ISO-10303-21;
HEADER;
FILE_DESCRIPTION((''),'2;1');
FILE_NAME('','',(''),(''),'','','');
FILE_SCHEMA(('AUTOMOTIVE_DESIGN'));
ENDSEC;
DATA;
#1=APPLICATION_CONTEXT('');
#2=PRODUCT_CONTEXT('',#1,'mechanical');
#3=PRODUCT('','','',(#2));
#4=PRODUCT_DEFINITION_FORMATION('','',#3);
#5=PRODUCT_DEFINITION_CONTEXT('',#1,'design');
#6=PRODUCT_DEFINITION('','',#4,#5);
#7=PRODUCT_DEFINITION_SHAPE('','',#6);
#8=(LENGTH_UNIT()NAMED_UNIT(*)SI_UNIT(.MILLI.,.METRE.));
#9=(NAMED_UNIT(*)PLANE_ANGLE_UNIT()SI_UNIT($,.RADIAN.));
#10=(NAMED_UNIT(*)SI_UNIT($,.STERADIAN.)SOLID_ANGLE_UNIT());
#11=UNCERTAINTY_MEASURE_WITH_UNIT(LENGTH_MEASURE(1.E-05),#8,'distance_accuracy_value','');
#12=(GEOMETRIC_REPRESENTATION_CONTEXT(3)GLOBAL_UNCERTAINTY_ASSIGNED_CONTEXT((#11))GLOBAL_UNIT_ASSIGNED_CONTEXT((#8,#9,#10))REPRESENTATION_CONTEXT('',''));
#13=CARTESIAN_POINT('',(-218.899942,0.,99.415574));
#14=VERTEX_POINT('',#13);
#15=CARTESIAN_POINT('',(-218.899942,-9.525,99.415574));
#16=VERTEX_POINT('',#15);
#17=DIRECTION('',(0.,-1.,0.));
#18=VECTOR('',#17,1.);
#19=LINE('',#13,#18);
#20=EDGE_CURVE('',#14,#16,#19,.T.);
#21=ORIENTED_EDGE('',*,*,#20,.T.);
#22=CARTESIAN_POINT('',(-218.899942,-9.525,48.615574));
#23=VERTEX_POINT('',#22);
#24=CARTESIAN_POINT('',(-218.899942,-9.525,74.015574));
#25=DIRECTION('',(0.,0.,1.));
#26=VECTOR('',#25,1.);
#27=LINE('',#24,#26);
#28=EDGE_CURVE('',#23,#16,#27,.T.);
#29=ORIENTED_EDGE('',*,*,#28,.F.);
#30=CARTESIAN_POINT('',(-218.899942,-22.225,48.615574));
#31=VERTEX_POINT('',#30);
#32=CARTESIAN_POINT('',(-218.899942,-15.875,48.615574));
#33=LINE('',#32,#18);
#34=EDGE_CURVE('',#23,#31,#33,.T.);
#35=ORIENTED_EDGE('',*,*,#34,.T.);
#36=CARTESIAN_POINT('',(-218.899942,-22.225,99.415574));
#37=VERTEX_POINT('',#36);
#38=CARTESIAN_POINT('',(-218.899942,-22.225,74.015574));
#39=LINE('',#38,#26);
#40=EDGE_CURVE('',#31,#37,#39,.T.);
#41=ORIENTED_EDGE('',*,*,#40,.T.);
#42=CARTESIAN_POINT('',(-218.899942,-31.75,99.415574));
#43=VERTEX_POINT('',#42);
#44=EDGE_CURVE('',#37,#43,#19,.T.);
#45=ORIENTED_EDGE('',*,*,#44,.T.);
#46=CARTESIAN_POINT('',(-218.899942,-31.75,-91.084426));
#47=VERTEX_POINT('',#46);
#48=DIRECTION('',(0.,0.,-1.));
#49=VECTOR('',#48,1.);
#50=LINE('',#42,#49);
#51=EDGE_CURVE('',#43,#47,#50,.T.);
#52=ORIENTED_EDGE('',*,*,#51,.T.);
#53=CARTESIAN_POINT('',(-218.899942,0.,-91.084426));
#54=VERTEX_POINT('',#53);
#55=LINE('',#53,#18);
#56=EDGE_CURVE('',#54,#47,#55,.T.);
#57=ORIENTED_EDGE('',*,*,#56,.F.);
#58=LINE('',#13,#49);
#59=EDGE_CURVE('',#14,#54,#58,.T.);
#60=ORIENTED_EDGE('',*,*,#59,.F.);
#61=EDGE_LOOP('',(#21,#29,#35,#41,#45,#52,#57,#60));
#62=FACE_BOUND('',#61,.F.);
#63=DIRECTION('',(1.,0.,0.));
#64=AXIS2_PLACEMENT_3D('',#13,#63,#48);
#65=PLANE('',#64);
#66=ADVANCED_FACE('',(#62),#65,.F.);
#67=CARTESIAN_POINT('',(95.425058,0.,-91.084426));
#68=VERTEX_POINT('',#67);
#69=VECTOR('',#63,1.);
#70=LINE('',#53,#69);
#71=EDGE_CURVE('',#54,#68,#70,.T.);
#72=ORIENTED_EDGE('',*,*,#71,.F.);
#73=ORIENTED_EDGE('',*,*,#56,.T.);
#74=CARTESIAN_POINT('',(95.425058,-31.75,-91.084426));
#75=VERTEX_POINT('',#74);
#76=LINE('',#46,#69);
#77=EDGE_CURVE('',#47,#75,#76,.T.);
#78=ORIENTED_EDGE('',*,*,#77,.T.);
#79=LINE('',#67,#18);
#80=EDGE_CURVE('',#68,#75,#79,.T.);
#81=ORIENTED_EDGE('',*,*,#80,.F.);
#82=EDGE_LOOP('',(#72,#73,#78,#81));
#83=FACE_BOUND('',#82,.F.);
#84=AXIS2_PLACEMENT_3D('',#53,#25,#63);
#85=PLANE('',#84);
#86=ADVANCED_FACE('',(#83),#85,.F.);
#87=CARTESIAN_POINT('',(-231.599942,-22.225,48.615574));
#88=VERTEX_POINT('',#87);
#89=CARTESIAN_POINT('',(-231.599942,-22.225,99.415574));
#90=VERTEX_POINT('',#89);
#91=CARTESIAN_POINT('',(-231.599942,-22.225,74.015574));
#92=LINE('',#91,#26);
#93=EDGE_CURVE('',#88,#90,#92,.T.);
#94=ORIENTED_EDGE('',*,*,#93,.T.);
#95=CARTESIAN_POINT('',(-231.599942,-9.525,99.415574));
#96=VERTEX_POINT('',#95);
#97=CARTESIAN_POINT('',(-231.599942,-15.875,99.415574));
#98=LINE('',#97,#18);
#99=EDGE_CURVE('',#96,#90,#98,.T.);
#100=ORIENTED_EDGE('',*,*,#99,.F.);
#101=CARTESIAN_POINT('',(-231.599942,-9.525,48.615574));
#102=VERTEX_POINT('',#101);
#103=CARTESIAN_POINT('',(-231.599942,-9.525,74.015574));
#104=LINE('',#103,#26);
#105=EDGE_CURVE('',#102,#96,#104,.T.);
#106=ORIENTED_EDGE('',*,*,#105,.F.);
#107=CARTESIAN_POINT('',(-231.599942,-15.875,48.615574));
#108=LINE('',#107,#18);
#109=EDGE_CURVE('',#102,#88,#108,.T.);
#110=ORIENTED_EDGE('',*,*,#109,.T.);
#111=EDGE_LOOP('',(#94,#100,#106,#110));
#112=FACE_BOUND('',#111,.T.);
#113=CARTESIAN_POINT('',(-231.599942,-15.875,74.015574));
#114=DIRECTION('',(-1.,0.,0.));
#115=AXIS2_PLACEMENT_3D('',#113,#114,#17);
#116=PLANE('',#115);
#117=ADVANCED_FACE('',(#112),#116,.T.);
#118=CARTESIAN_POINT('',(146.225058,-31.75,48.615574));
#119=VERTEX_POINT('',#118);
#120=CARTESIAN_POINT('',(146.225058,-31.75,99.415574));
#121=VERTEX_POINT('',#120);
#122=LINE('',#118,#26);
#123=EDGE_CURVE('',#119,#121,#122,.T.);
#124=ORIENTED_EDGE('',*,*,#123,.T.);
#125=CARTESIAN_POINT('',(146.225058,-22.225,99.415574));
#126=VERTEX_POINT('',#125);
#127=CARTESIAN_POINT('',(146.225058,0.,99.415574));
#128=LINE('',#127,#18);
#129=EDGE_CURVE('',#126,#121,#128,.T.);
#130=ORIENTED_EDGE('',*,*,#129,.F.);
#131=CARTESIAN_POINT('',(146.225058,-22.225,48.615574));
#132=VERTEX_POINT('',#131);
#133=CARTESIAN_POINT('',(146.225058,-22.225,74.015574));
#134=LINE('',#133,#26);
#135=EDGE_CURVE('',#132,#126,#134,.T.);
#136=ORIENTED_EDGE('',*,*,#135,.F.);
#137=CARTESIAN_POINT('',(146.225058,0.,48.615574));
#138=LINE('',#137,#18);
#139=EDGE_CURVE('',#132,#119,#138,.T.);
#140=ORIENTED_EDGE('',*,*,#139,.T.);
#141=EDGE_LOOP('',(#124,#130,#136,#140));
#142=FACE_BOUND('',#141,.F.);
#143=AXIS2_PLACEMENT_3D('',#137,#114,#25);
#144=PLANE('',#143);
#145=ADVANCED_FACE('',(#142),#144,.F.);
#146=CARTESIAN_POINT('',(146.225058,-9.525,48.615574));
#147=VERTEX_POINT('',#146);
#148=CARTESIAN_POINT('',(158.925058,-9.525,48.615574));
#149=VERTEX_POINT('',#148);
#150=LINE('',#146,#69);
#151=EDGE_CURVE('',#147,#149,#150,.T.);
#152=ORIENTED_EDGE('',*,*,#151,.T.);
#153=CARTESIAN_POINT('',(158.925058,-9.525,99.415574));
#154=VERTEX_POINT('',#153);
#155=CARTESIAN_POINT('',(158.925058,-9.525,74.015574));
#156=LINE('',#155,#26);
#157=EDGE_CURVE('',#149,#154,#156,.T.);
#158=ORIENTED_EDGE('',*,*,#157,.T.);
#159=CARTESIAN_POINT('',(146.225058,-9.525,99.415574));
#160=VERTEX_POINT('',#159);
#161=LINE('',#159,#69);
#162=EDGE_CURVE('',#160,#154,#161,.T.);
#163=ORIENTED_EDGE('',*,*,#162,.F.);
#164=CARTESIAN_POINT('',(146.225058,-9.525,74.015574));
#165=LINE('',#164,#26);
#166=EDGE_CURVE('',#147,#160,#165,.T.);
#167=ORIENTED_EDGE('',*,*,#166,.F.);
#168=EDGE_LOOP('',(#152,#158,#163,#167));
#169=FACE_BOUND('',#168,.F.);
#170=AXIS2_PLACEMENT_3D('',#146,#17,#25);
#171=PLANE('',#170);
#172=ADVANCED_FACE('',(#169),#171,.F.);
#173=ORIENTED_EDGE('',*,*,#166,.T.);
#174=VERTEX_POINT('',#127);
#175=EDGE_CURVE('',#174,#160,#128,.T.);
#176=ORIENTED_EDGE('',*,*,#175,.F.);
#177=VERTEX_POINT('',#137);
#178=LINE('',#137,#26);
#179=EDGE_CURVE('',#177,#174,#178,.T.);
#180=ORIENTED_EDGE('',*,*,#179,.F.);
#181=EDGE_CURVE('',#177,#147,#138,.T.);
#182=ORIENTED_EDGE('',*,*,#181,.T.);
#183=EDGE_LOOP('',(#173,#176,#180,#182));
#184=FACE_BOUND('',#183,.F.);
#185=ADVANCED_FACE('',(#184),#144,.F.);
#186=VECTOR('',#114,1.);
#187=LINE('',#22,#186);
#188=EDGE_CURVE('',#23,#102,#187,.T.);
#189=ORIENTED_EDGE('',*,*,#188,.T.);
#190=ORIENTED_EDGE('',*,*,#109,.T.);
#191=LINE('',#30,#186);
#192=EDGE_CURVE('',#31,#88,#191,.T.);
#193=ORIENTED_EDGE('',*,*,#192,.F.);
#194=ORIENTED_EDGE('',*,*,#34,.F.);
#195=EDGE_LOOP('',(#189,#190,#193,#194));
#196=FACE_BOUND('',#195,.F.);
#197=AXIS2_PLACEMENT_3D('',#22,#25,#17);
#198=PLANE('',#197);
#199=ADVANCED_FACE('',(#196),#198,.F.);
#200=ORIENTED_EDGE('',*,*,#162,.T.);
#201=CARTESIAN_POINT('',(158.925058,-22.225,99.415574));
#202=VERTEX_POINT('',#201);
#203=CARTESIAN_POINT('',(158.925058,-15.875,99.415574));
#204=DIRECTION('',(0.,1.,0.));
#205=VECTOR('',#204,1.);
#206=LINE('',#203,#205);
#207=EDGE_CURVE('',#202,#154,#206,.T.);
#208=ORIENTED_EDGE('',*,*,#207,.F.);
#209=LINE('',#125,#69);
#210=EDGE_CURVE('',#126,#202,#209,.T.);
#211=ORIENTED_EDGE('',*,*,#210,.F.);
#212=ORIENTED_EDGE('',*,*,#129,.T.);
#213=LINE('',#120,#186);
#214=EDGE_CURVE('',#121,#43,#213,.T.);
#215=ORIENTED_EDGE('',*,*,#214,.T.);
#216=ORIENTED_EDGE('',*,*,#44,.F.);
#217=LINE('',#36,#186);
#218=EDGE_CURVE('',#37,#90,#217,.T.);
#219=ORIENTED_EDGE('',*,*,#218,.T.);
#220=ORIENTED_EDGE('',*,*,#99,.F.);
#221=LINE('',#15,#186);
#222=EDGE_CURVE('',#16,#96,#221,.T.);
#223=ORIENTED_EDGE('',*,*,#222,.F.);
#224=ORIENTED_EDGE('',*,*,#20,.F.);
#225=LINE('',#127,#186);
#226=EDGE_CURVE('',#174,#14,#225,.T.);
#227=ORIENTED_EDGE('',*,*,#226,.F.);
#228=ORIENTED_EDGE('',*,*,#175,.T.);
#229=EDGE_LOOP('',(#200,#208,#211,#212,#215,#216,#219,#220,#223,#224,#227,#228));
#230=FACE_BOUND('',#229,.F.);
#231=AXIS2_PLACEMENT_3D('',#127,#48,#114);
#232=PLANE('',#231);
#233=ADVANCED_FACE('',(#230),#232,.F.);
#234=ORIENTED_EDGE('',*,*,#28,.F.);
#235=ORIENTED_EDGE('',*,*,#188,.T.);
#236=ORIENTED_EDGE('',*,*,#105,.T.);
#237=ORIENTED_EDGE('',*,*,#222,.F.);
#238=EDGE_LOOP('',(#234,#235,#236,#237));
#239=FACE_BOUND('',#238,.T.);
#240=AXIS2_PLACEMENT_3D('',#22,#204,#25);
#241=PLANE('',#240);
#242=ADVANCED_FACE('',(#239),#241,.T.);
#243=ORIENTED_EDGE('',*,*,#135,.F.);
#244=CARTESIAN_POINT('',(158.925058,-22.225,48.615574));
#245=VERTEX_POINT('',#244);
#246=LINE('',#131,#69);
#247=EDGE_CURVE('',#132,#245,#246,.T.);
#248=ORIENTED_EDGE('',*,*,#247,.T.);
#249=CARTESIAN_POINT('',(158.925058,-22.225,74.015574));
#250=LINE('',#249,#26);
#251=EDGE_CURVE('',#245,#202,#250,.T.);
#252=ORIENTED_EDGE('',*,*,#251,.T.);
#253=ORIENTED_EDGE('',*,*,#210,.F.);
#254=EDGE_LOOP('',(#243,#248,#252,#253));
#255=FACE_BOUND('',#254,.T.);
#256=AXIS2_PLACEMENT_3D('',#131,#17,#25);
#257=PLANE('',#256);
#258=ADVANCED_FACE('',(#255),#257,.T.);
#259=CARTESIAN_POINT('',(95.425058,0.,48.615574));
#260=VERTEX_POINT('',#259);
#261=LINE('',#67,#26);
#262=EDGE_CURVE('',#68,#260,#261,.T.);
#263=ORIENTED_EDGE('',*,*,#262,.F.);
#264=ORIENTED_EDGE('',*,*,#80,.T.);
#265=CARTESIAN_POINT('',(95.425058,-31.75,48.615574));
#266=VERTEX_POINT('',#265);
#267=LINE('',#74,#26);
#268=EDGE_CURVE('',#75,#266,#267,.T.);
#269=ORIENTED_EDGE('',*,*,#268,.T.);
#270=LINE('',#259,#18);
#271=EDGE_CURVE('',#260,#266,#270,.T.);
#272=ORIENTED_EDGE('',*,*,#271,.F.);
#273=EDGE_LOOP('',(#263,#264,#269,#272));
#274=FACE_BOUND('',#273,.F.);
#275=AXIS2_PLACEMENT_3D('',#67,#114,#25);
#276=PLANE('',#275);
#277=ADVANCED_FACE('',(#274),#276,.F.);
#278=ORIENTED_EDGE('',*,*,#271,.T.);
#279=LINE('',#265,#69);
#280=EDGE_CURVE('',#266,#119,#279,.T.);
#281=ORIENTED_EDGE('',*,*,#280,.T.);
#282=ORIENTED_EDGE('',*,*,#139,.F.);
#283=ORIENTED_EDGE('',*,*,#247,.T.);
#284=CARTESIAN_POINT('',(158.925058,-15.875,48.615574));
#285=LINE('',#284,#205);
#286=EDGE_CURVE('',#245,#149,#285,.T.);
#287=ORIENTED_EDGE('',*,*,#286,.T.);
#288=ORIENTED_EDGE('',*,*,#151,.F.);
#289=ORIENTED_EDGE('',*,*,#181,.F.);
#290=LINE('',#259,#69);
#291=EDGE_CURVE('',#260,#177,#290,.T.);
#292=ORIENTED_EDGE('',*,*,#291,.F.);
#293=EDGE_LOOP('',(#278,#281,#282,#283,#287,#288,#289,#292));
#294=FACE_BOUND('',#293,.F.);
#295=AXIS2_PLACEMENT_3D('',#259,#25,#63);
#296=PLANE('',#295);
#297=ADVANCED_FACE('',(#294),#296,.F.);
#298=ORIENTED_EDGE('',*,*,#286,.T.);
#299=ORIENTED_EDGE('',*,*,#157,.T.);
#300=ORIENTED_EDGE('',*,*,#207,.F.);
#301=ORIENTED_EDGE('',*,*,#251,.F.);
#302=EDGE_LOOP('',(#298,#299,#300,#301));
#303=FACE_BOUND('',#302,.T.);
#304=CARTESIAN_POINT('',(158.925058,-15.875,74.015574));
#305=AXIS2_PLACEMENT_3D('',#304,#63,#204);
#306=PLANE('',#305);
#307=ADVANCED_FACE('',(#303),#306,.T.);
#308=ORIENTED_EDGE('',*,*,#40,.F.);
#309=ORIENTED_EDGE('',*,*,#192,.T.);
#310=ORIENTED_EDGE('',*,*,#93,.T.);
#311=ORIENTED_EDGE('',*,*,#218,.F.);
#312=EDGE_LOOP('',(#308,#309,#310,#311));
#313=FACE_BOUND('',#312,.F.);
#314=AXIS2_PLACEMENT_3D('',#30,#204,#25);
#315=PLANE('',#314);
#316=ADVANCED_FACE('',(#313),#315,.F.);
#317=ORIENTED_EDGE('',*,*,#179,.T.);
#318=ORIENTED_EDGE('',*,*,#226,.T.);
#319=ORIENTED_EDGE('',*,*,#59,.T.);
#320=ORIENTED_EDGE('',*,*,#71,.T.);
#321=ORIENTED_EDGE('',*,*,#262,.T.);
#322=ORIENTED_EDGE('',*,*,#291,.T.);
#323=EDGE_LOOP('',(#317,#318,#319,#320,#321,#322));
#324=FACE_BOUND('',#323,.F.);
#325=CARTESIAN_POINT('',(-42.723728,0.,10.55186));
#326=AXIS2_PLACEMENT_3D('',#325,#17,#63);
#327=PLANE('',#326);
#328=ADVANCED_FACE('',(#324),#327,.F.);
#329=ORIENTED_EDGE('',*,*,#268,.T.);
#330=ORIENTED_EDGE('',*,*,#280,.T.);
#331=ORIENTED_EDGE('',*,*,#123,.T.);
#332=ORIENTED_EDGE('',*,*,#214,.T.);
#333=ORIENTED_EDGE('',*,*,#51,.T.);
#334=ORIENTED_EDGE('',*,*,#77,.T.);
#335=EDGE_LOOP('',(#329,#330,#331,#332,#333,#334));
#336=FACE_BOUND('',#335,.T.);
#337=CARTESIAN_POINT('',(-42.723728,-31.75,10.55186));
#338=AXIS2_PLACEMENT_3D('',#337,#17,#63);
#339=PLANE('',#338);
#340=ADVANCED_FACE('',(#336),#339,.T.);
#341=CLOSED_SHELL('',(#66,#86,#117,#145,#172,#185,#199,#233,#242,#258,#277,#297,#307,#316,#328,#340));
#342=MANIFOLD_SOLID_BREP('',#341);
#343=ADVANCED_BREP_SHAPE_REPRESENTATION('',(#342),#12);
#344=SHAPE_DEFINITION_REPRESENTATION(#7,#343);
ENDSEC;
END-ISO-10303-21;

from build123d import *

# Parameters (mm, degrees)
F1_DEPTH = 31.75
F2_W     = 12.7
F2_H     = 50.8
F3_DEPTH = 12.7
F4_W     = 12.7
F4_H     = 50.8
F5_DEPTH = 12.7


with BuildPart() as f1:
    # F0 (on Front) → F1 (new body)
    with BuildSketch(Plane.XZ):
        Polygon((146.225058, 99.415574), (-218.899942, 99.415574), (-218.899942, -91.084426), (95.425058, -91.084426), (95.425058, 48.615574), (146.225058, 48.615574), align=None)
    extrude(amount=F1_DEPTH)

    # F2 (on face) → F3 (join)
    with BuildSketch(Plane.YZ.offset(146.225058)):
        with Locations((-15.875, 74.015574)):
            Rectangle(F2_W, F2_H)
    extrude(amount=F3_DEPTH)

    # F4 (on face) → F5 (join)
    with BuildSketch(Plane(origin=(-218.899942, 0, 0), x_dir=(0, -1, 0), z_dir=(-1, 0, 0))):
        with Locations((15.875, 74.015574)):
            Rectangle(F4_W, F4_H)
    extrude(amount=F5_DEPTH)


solid = f1.part
